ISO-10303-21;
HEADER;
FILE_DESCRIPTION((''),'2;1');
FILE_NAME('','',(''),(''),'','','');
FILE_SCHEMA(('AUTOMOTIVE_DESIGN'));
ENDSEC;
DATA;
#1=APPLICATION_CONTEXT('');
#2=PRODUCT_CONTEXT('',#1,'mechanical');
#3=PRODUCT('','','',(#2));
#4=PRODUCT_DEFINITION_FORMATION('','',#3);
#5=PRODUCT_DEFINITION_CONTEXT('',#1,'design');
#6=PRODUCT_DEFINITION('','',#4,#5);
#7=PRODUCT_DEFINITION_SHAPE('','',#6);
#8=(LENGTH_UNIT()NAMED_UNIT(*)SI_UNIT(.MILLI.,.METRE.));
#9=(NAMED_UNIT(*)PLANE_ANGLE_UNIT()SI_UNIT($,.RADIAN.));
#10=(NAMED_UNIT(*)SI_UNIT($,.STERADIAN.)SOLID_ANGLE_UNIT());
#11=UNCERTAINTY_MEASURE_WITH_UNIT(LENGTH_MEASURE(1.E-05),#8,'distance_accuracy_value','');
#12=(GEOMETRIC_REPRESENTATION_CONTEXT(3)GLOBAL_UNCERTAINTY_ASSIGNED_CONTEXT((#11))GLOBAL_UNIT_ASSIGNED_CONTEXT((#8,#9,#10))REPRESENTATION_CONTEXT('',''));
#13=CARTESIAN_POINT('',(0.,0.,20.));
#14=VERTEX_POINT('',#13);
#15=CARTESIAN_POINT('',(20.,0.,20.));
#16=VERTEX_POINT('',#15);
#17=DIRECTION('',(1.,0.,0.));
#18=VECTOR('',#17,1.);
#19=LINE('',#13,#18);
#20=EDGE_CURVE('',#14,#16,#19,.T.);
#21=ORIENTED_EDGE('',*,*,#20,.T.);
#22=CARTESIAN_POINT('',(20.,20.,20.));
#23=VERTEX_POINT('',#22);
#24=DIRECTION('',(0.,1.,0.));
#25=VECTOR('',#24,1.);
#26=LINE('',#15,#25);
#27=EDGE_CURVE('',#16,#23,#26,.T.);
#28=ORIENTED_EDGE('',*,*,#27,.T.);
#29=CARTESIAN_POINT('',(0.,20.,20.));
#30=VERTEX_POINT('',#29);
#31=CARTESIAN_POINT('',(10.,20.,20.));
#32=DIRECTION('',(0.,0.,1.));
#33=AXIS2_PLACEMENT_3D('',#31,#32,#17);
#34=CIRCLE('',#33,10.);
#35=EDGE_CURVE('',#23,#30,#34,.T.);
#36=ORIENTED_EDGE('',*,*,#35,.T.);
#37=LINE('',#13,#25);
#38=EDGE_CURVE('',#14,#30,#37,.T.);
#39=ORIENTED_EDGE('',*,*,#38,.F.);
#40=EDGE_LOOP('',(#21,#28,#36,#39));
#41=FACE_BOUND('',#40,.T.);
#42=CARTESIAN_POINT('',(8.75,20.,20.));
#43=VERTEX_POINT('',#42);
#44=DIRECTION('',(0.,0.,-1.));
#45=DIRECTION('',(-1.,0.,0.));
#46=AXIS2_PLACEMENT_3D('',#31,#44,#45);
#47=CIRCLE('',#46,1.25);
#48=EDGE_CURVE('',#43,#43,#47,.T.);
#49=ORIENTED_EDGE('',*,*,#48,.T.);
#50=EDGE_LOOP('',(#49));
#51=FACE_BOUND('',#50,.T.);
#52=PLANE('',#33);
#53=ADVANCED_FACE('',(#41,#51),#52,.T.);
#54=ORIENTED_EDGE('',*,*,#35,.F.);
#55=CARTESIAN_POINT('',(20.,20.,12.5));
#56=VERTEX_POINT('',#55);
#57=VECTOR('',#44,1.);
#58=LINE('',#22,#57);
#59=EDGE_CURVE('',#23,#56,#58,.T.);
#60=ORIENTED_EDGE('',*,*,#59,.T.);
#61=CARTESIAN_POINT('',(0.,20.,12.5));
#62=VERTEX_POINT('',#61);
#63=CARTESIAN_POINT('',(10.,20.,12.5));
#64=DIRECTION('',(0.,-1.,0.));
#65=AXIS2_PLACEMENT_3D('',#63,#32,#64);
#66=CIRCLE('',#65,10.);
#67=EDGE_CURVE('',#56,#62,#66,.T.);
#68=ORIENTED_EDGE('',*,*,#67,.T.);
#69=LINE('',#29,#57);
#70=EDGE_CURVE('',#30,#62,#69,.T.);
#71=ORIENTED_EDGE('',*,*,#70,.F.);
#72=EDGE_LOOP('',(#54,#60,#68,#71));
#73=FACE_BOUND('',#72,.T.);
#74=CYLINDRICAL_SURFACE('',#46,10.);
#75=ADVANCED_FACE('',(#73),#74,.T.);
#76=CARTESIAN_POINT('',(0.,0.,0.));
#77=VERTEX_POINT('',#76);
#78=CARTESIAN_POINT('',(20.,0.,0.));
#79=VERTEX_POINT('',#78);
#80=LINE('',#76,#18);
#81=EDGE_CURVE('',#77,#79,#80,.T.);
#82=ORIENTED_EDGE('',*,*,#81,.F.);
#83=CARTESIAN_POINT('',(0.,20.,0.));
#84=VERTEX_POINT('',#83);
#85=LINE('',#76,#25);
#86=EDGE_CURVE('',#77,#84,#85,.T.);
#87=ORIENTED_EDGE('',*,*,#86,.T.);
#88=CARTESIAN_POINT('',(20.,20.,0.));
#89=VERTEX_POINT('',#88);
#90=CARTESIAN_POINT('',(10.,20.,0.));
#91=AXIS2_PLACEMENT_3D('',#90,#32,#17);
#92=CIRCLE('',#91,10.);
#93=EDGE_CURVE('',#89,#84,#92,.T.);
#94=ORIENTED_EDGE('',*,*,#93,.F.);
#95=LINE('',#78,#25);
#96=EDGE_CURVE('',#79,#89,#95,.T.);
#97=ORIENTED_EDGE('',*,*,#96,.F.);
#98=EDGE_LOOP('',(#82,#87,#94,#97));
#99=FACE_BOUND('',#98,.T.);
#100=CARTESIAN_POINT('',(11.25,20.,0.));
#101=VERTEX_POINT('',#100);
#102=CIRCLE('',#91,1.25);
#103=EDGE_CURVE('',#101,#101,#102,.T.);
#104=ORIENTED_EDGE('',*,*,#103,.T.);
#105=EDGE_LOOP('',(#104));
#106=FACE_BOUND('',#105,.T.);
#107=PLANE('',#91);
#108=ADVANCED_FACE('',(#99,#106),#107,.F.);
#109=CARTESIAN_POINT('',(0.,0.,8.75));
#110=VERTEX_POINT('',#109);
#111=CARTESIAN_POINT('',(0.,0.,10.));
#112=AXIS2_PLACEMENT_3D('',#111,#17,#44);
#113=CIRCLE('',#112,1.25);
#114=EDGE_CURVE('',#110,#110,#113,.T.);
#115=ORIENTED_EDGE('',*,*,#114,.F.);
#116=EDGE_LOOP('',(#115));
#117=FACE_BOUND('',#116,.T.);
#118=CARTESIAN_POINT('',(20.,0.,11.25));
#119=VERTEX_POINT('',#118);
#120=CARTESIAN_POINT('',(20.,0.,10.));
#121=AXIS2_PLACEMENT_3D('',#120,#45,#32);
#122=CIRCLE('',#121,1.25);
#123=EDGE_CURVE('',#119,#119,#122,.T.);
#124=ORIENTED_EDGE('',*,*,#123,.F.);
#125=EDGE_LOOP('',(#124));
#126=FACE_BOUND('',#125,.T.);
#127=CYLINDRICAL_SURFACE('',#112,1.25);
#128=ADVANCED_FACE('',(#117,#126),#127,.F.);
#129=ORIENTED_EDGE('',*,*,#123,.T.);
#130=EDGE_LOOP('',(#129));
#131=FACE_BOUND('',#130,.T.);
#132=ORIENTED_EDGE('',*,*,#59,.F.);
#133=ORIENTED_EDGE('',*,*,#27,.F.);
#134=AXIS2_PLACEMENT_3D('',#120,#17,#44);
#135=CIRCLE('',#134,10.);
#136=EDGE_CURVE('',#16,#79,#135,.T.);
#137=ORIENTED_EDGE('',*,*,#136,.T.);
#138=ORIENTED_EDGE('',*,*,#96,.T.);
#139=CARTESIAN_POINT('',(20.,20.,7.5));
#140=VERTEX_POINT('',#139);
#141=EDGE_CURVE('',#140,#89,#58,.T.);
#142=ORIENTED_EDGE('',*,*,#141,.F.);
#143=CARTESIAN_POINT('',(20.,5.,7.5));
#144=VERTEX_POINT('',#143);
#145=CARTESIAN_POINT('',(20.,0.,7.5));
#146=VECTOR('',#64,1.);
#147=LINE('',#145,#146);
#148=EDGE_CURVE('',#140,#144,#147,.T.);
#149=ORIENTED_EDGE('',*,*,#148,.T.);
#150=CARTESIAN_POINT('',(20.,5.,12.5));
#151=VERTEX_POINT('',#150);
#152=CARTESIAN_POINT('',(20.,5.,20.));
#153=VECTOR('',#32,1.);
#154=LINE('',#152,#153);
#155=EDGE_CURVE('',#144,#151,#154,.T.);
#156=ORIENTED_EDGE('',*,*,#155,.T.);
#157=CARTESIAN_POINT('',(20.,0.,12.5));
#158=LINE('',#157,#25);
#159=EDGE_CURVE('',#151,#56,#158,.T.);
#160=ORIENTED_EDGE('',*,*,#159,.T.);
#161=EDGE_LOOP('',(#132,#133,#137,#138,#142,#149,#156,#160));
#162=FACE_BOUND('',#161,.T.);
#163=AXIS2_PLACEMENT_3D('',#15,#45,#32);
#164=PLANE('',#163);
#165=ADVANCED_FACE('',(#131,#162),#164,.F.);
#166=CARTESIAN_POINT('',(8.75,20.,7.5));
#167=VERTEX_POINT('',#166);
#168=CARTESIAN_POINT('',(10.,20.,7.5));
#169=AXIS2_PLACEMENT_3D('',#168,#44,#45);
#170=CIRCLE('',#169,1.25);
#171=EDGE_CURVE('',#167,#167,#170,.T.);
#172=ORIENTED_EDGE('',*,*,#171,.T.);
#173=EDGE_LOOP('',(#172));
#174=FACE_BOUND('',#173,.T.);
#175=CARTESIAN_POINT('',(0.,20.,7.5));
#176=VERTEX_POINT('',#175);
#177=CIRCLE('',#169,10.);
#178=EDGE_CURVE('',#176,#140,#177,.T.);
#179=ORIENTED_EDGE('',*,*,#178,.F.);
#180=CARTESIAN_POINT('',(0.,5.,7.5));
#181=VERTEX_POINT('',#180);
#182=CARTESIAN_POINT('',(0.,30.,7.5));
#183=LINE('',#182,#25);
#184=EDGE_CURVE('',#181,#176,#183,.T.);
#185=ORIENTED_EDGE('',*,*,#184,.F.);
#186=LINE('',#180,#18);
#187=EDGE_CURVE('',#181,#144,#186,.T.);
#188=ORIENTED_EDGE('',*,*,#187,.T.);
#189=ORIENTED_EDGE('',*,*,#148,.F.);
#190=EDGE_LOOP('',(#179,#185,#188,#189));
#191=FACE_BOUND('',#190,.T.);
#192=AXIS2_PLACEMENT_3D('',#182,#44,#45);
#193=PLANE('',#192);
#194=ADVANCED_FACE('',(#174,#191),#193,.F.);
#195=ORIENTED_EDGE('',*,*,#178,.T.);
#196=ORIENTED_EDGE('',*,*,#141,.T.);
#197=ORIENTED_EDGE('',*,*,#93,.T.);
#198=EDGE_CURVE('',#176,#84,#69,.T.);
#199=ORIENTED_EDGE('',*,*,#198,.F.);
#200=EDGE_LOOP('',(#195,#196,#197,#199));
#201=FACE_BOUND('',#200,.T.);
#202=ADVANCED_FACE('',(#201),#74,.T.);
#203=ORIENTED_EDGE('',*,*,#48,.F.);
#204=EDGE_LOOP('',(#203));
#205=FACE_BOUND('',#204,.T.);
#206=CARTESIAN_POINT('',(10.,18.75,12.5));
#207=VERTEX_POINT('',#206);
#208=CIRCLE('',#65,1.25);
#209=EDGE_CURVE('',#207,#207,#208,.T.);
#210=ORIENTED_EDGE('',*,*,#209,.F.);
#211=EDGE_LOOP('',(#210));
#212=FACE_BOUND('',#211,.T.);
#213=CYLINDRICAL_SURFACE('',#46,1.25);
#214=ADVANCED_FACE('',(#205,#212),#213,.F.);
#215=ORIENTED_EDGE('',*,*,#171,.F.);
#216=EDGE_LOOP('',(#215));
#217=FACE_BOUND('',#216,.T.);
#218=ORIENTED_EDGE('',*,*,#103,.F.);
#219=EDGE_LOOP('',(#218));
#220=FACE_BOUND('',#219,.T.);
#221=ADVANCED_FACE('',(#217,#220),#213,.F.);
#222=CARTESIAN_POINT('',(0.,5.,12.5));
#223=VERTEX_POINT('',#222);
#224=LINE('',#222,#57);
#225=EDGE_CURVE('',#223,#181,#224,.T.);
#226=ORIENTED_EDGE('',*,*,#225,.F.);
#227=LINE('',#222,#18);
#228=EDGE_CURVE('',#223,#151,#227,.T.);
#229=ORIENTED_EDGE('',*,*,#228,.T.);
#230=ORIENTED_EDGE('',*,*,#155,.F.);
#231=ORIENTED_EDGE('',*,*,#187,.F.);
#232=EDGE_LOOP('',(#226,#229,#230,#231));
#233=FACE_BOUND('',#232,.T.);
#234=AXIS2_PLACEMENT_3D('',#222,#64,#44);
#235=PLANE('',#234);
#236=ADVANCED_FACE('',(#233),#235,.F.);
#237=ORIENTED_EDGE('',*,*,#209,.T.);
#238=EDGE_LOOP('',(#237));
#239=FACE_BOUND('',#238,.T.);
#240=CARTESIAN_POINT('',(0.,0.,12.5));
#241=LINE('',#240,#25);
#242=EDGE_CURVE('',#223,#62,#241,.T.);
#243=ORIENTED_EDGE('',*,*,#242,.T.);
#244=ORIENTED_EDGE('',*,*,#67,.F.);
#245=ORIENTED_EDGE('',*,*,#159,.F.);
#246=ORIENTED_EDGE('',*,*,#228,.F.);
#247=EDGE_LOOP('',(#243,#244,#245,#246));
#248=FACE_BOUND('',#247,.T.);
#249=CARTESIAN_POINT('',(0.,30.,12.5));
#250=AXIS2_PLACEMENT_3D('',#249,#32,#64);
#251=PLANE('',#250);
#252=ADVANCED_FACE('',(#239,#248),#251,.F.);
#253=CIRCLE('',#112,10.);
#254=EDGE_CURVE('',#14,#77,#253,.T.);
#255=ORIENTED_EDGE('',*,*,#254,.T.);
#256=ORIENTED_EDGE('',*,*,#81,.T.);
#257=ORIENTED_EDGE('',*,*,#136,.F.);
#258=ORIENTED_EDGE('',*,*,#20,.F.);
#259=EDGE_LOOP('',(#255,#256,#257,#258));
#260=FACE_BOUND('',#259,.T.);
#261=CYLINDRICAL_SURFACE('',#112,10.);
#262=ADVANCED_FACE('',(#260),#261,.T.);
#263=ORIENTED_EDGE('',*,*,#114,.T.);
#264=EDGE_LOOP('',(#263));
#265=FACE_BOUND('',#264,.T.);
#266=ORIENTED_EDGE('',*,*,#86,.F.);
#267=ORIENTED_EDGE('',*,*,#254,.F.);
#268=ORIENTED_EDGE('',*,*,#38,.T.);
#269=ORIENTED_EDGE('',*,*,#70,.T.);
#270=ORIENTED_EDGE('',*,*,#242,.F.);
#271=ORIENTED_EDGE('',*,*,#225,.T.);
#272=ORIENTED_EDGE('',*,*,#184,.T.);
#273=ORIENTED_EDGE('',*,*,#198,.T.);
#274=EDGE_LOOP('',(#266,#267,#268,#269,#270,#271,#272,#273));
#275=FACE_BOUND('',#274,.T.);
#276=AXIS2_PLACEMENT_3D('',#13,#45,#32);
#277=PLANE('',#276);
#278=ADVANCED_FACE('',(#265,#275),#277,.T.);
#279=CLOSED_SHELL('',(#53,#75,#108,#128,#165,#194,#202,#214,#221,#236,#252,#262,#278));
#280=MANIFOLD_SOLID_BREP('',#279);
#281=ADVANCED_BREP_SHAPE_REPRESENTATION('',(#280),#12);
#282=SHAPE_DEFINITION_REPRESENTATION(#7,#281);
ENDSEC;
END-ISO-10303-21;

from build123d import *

# Parameters (mm, degrees)
BOSS_EXTRUDE2_DEPTH     = 20
CUT_EXTRUDE2_DEPTH      = 42.231056256
CUT_EXTRUDE2_DEPTH_BACK = 42.231056256
SKETCH4_W               = 5
SKETCH4_H               = 25
CUT_EXTRUDE3_DEPTH      = 42.231056256
CUT_EXTRUDE3_DEPTH_BACK = 42.231056256
SKETCH5_R               = 1.25
BOSS_EXTRUDE3_DEPTH     = 20
CUT_EXTRUDE4_DEPTH      = 42.231056256
CUT_EXTRUDE4_DEPTH_BACK = 42.231056256
SKETCH7_R               = 1.25


with BuildPart() as part:
    # Sketch3 → Boss-Extrude2 (new body)
    with BuildSketch(Plane.XY):
        with BuildLine():
            Line((0, 0), (20, 0))
            Line((20, 0), (20, 20))
            ThreePointArc((20, 20), (10, 30), (0, 20))
            Line((0, 20), (0, 0))
        make_face()
    extrude(amount=BOSS_EXTRUDE2_DEPTH)

    # Sketch4 → Cut-Extrude2 (cut, two sides: drawn at the far end of the back side and taken through both)
    with BuildSketch(Plane(origin=(20, 0, 0), x_dir=(0, 0, -1), z_dir=(1, 0, 0)).offset(-CUT_EXTRUDE2_DEPTH_BACK)):
        with Locations((-10, 17.5)):
            Rectangle(SKETCH4_W, SKETCH4_H)
    extrude(amount=CUT_EXTRUDE2_DEPTH + CUT_EXTRUDE2_DEPTH_BACK, mode=Mode.SUBTRACT)

    # Sketch5 → Cut-Extrude3 (cut, two sides: drawn at the far end of the back side and taken through both)
    with BuildSketch(Plane(origin=(0, 0, 0), x_dir=(-1, 0, 0), z_dir=(0, 0, -1)).offset(-CUT_EXTRUDE3_DEPTH_BACK)):
        with Locations((-10, 20)):
            Circle(SKETCH5_R)
    extrude(amount=CUT_EXTRUDE3_DEPTH + CUT_EXTRUDE3_DEPTH_BACK, mode=Mode.SUBTRACT)

    # Sketch6 → Boss-Extrude3 (add)
    with BuildSketch(Plane(origin=(20, 0, 0), x_dir=(0, 0, -1), z_dir=(1, 0, 0))):
        with BuildLine():
            Line((-20, 0), (0, 0))
            ThreePointArc((0, 0), (-10, -10), (-20, 0))
        make_face()
    extrude(amount=-BOSS_EXTRUDE3_DEPTH)

    # Sketch7 → Cut-Extrude4 (cut, two sides: drawn at the far end of the back side and taken through both)
    with BuildSketch(Plane(origin=(20, 0, 0), x_dir=(0, 0, -1), z_dir=(1, 0, 0)).offset(-CUT_EXTRUDE4_DEPTH_BACK)):
        with Locations((-10, 0)):
            Circle(SKETCH7_R)
    extrude(amount=CUT_EXTRUDE4_DEPTH + CUT_EXTRUDE4_DEPTH_BACK, mode=Mode.SUBTRACT)


solid = part.part
